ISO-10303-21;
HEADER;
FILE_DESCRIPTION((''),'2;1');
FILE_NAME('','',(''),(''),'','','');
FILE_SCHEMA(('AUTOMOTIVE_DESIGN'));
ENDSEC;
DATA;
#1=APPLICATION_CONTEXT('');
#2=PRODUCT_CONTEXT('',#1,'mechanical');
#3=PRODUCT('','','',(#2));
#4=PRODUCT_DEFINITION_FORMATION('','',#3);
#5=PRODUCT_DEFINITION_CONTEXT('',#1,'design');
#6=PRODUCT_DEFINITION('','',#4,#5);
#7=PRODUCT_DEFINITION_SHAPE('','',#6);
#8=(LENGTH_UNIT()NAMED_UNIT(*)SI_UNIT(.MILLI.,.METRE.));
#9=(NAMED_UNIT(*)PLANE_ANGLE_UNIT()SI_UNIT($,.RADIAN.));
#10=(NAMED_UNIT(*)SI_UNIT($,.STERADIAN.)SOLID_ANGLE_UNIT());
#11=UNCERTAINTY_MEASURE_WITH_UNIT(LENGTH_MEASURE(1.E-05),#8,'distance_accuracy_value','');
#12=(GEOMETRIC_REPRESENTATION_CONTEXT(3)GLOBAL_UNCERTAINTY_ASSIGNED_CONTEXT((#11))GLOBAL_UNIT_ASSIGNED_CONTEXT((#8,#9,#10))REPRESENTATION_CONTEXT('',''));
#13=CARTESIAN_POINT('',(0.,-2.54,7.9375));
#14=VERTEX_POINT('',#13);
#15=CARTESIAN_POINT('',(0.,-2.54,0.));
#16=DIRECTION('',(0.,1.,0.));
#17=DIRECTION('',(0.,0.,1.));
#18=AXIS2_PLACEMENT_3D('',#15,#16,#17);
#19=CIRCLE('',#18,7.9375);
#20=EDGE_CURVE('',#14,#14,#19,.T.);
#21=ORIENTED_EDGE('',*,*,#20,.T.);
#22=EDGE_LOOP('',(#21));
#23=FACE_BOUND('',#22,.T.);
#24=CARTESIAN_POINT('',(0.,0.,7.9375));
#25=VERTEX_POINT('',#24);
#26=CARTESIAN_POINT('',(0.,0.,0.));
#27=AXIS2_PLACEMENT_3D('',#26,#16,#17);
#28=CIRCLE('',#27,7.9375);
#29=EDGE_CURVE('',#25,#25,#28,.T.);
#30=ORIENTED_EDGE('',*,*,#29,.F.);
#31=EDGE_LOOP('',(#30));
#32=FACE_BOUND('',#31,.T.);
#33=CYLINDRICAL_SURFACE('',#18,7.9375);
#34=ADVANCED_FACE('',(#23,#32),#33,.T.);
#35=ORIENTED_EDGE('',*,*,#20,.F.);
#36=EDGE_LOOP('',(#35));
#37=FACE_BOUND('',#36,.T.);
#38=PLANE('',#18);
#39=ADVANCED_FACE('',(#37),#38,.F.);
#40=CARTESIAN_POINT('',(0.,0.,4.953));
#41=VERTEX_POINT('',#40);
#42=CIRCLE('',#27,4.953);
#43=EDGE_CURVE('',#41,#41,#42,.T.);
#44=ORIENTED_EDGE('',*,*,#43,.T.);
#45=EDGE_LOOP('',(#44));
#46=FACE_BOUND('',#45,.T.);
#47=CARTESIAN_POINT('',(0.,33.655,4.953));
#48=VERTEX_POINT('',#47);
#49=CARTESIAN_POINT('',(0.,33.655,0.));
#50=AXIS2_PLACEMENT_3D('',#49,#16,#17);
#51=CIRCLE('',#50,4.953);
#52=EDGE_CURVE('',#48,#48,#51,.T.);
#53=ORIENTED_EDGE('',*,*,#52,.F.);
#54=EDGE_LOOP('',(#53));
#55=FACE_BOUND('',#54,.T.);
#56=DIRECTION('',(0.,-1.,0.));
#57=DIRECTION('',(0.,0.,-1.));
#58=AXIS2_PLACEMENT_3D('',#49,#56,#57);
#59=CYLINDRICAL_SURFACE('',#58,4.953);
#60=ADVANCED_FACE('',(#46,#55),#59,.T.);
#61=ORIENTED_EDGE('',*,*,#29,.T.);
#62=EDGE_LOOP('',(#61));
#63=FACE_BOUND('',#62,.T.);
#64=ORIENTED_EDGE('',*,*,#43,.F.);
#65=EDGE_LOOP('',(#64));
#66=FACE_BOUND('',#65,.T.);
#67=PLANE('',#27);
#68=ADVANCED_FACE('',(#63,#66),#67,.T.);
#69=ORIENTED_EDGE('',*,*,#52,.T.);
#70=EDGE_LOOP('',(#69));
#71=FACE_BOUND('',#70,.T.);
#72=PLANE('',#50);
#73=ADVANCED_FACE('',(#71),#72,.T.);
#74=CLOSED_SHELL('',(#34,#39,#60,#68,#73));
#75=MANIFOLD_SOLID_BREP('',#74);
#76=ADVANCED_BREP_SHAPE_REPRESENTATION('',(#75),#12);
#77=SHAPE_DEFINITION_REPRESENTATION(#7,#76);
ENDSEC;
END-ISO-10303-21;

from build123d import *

# Parameters (mm, degrees)
SKETCH1_R           = 4.953
BOSS_EXTRUDE1_DEPTH = 33.655
SKETCH1_3_R         = 7.9375
BOSS_EXTRUDE2_DEPTH = 2.54


with BuildPart() as part:
    # Sketch1 → Boss-Extrude1 (new body)
    with BuildSketch(Plane(origin=(0, 0, 0), x_dir=(1, 0, 0), z_dir=(0, 1, 0))):
        Circle(SKETCH1_R)
    extrude(amount=BOSS_EXTRUDE1_DEPTH)

    # Sketch1<3> → Boss-Extrude2 (add)
    with BuildSketch(Plane(origin=(0, 0, 0), x_dir=(1, 0, 0), z_dir=(0, 1, 0))):
        Circle(SKETCH1_3_R)
    extrude(amount=-BOSS_EXTRUDE2_DEPTH)


solid = part.part
